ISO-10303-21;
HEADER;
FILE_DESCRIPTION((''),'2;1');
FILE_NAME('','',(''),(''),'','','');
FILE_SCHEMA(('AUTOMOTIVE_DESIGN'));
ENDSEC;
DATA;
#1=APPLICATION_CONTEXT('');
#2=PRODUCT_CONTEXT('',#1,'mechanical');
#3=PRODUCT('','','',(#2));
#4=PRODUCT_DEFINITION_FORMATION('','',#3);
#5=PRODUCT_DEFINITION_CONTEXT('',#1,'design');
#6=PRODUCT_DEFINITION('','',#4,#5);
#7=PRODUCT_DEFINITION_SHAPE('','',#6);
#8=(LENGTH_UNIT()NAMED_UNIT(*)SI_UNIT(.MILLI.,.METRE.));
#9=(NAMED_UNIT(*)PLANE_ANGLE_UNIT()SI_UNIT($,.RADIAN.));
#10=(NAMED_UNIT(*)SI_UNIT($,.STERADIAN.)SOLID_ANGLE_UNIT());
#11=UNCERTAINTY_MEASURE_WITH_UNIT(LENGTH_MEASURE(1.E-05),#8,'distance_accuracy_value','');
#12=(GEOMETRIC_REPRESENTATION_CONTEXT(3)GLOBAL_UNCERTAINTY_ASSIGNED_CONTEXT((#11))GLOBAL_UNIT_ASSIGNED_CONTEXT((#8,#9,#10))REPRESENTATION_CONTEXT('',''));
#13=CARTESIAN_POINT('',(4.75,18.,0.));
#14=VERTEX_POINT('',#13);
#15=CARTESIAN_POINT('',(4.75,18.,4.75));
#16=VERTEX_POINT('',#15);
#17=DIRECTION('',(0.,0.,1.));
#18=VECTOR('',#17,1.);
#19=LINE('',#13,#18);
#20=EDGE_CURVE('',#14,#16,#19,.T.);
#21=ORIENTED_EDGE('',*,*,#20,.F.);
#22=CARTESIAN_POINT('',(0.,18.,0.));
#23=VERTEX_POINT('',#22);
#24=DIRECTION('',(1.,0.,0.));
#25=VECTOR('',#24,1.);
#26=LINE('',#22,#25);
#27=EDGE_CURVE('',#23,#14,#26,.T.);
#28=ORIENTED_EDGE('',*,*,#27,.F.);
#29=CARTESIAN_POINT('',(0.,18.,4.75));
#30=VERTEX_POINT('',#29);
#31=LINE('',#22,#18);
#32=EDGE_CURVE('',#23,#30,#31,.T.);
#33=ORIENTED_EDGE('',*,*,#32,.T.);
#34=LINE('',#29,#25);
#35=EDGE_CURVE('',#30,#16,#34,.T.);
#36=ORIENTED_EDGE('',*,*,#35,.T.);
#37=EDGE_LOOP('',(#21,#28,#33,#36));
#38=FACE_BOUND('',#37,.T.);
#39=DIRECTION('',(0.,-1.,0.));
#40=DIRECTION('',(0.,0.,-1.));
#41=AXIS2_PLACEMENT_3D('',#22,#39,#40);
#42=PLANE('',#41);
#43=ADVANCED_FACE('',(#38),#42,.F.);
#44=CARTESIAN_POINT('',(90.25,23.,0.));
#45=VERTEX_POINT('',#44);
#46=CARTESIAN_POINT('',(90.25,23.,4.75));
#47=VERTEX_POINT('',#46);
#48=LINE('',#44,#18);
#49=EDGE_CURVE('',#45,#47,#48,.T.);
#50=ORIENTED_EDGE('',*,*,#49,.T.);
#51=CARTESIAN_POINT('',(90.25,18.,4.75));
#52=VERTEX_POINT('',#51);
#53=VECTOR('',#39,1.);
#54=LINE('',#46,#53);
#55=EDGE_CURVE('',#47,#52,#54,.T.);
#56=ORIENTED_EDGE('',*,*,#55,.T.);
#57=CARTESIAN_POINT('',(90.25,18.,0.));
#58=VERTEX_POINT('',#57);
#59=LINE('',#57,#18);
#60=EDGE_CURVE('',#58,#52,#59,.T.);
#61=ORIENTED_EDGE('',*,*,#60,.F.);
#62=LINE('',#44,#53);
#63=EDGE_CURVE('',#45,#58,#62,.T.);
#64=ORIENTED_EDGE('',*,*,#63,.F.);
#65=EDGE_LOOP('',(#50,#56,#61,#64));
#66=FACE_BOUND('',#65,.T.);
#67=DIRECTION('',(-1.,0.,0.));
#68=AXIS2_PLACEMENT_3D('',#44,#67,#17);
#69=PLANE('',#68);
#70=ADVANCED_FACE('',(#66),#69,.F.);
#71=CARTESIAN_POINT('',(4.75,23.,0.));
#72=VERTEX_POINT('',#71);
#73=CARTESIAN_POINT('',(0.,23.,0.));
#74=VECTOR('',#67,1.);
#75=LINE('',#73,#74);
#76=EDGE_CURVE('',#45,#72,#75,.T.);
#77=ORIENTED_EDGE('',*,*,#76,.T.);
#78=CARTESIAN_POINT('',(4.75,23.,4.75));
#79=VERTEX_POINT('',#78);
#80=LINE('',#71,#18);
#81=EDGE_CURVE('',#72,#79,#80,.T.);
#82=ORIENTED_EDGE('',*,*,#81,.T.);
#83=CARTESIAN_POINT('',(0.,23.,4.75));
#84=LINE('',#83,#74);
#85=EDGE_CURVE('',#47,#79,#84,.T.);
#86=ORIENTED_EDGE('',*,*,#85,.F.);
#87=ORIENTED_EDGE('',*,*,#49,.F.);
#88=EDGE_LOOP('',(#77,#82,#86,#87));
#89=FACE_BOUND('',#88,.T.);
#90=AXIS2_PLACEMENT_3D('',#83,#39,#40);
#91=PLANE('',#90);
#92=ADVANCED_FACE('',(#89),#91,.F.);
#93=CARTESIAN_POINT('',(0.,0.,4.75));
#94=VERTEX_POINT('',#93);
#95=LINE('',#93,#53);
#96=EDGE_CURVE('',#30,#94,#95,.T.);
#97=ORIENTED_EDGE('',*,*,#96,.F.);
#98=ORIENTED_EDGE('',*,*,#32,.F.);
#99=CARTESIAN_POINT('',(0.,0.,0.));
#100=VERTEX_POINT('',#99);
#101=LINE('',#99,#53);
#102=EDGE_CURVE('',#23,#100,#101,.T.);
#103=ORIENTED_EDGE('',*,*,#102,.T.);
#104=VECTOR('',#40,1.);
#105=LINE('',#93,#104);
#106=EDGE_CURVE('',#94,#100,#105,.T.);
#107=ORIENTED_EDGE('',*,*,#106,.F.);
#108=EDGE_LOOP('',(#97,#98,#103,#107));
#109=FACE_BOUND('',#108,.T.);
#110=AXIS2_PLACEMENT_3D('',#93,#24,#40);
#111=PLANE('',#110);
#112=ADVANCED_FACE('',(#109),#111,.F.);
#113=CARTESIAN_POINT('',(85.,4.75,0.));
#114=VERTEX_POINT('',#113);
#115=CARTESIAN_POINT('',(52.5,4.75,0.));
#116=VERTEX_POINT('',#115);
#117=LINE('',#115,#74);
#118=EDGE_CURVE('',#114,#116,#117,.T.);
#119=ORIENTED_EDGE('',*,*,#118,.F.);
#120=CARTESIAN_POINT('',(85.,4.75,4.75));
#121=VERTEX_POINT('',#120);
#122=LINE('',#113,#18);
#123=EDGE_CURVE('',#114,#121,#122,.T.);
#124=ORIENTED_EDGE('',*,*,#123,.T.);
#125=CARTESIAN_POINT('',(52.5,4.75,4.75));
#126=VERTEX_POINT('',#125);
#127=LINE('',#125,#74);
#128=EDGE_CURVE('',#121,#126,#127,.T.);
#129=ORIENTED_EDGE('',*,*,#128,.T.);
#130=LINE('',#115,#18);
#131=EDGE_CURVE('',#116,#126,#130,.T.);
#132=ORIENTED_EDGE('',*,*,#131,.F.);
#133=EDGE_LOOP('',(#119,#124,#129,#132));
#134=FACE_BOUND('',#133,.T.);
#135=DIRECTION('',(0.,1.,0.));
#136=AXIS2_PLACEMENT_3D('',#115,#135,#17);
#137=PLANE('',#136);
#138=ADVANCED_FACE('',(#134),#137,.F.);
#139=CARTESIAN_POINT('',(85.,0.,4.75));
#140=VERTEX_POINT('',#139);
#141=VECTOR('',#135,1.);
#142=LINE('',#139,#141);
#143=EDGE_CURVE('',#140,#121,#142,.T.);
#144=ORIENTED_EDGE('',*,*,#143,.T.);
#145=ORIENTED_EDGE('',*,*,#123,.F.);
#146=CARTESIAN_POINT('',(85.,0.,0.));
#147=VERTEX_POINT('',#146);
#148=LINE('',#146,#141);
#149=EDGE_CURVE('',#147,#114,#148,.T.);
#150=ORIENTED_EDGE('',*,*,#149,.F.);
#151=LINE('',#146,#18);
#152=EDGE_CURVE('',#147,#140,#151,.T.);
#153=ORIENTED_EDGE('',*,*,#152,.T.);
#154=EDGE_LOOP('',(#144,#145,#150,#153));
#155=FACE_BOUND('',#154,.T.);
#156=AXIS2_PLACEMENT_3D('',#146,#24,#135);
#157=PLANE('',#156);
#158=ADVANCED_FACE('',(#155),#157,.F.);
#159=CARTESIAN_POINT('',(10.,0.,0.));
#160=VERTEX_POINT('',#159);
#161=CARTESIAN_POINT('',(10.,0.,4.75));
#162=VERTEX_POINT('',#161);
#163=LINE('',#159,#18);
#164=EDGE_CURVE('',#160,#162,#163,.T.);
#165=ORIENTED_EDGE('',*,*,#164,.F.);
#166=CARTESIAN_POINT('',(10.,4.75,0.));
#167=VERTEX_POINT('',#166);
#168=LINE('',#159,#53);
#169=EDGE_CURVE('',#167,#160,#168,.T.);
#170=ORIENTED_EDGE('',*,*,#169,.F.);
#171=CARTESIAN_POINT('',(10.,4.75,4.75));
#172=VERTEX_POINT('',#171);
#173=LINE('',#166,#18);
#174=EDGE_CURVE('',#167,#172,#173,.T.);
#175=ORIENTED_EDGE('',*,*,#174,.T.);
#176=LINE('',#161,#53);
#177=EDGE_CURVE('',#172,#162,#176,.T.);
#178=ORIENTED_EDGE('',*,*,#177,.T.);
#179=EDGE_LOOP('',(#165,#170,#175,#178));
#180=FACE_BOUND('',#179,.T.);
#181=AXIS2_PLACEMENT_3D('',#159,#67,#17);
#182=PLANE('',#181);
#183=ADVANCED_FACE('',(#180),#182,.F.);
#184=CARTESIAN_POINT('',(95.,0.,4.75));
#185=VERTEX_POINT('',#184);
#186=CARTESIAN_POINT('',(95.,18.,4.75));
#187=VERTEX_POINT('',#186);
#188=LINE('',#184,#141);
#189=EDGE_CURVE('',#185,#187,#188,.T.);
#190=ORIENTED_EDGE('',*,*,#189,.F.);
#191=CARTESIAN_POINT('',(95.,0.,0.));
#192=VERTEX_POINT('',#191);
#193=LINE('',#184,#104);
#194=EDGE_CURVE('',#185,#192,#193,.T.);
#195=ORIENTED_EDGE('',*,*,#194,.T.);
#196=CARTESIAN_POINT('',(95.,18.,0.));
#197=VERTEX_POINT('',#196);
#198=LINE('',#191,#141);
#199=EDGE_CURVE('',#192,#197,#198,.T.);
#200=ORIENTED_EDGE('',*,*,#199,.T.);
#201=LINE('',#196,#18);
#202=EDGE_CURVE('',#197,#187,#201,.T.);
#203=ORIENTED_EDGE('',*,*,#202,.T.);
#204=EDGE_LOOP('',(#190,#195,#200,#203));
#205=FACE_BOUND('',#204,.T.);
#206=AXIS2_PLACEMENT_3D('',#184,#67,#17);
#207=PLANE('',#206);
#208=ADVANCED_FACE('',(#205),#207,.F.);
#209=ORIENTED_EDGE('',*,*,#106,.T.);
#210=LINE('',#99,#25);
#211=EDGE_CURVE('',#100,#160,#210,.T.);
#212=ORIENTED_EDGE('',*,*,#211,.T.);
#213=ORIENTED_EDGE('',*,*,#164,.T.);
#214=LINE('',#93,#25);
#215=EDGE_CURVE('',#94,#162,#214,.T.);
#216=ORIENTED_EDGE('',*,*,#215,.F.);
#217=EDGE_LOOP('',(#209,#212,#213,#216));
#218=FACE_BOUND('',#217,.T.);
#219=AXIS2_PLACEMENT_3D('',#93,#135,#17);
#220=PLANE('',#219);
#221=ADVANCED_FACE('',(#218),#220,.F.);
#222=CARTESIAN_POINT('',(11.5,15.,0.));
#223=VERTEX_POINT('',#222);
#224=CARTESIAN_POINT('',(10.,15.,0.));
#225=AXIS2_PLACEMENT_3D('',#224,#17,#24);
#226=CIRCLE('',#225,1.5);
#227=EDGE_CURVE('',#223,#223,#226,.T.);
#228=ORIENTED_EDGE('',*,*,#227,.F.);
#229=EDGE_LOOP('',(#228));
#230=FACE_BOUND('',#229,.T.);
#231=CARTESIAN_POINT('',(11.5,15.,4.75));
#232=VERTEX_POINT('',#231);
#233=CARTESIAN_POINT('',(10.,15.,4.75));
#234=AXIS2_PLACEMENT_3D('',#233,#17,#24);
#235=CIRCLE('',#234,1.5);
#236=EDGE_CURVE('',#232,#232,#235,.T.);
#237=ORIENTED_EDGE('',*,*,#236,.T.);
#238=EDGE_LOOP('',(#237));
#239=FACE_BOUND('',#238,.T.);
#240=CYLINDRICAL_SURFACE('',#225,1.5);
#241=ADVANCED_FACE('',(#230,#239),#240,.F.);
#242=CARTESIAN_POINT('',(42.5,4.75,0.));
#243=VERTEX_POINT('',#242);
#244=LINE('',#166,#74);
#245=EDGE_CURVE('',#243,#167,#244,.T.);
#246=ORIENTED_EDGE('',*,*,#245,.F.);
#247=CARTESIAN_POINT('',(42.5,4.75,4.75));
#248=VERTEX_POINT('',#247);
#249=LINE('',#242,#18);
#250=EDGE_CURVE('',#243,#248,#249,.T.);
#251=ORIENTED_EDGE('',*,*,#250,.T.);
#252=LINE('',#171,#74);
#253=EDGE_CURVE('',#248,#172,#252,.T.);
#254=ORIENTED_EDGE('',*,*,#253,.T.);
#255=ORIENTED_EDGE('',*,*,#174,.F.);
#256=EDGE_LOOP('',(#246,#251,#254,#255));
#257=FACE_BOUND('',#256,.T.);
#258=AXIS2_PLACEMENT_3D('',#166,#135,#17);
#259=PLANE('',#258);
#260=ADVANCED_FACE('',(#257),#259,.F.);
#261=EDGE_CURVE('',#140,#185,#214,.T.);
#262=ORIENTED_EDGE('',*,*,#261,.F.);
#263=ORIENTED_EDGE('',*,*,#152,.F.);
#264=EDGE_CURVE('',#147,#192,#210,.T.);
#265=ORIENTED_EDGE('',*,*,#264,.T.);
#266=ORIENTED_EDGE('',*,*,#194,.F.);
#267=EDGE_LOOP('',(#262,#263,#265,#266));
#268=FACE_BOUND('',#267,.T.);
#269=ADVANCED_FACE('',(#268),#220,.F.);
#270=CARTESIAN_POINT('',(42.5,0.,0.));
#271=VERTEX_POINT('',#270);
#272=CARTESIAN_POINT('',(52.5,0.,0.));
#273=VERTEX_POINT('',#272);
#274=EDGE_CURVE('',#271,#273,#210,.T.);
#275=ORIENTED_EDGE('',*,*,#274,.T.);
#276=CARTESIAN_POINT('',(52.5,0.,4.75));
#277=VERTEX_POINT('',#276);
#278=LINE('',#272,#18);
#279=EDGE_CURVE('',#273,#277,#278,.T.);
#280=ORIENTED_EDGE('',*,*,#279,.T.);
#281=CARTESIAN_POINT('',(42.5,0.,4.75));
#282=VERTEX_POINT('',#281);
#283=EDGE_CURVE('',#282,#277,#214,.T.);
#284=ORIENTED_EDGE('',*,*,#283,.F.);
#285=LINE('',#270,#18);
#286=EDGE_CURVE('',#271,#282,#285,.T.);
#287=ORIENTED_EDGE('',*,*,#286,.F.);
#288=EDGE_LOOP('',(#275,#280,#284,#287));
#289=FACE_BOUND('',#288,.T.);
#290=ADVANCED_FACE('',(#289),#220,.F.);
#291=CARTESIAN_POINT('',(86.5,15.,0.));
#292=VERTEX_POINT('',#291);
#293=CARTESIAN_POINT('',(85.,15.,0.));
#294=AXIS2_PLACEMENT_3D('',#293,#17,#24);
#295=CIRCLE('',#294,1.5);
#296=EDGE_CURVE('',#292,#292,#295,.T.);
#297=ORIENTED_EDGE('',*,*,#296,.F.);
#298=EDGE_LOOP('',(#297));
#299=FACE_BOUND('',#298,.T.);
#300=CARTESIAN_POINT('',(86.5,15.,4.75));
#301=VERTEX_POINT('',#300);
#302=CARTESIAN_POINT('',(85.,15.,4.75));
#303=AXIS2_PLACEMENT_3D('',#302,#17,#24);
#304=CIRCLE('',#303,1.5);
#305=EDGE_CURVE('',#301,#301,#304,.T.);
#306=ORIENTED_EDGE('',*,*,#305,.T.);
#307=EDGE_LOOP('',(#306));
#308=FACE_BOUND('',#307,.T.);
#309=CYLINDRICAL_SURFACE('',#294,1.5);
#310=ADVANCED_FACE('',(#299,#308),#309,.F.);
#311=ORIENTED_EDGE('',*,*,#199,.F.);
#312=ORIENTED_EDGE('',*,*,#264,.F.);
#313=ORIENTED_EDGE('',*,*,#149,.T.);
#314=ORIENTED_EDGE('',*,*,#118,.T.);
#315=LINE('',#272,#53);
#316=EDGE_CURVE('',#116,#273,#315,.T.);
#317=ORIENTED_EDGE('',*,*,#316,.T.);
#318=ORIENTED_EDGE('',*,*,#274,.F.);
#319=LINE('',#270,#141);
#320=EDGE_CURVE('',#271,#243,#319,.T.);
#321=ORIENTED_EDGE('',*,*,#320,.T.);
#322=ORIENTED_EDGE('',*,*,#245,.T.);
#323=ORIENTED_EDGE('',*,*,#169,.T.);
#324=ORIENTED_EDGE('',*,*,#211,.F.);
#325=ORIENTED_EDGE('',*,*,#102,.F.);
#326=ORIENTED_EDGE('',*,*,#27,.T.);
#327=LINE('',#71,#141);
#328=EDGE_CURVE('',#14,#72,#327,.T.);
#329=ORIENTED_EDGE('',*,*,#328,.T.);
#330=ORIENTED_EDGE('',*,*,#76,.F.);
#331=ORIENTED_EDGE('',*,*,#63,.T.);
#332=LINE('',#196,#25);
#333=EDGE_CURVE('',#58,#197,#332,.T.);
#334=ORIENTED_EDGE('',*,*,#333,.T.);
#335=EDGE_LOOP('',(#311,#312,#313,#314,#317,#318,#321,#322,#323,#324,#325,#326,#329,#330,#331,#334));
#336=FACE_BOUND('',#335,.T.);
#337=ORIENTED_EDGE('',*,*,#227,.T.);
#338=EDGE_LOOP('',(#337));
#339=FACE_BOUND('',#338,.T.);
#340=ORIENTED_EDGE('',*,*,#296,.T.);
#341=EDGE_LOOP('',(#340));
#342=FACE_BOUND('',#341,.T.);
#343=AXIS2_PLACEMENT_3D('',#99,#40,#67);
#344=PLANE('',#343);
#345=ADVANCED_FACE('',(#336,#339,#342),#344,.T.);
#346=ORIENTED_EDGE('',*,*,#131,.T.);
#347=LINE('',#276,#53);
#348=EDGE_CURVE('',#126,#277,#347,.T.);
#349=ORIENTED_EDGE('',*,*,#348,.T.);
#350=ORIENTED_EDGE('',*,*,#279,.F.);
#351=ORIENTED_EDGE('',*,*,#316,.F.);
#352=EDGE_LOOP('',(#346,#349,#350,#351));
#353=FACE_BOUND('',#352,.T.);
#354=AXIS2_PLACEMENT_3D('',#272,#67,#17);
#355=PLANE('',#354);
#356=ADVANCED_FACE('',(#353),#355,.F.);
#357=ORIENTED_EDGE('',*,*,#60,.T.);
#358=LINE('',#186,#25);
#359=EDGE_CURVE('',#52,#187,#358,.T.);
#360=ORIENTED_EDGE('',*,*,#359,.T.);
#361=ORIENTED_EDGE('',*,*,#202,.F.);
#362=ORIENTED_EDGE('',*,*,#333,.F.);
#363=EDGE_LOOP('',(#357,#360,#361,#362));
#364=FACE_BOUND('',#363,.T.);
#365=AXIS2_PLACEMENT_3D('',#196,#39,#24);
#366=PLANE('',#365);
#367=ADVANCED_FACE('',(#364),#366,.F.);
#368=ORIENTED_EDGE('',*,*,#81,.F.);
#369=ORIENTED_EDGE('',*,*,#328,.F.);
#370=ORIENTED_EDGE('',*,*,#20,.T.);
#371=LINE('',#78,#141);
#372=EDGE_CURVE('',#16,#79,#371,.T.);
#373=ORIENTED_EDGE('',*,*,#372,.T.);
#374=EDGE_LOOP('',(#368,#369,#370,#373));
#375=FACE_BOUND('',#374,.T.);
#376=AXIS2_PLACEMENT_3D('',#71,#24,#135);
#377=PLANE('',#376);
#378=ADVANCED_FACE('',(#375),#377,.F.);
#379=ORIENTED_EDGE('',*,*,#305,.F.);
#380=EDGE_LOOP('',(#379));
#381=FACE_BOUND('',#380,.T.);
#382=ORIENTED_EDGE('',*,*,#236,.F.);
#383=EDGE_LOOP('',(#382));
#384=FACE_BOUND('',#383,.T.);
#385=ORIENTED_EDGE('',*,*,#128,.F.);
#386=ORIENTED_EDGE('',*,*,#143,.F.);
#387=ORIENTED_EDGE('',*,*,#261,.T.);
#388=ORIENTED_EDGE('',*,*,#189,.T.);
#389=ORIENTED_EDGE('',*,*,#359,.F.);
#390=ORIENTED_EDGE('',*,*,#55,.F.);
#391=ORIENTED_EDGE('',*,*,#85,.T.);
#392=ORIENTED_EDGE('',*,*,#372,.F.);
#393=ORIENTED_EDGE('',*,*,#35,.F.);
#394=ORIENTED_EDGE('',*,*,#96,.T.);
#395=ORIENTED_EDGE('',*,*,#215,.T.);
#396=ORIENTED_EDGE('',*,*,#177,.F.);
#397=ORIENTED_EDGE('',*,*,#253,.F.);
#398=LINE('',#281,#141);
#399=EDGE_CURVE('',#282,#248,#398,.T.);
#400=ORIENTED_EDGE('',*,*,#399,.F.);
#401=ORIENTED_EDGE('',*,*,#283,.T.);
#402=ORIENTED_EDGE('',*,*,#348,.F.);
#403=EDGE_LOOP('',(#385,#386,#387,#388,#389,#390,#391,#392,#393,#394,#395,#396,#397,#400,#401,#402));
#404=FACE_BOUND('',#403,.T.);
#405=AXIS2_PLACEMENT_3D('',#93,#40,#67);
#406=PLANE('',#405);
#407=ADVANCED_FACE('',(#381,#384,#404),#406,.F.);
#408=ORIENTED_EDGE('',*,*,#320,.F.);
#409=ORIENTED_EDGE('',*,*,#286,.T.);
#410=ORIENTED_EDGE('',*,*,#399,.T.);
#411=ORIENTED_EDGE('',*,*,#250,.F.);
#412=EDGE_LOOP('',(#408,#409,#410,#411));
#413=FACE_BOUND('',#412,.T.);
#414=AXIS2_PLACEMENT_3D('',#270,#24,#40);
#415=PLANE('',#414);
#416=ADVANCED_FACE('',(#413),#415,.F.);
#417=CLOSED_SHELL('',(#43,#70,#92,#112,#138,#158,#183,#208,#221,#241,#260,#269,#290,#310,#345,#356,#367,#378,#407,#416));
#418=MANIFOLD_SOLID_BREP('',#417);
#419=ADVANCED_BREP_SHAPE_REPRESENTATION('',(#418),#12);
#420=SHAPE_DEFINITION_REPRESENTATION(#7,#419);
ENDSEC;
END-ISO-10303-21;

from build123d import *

# Parameters (mm, degrees)
SKETCH1_W           = 95
SKETCH1_H           = 23
BOSS_EXTRUDE1_DEPTH = 4.75
SKETCH2_W           = 32.5
SKETCH2_H           = 4.75
CUT_EXTRUDE1_DEPTH  = 5.75
SKETCH4_R           = 1.5
CUT_EXTRUDE2_DEPTH  = 5.75
SKETCH5_W           = 4.75
SKETCH5_H           = 5
CUT_EXTRUDE3_DEPTH  = 5.75


with BuildPart() as part:
    # Sketch1 → Boss-Extrude1 (new body)
    with BuildSketch(Plane.XY):
        with Locations((47.5, 11.5)):
            Rectangle(SKETCH1_W, SKETCH1_H)
    extrude(amount=BOSS_EXTRUDE1_DEPTH)

    # Sketch2 → Cut-Extrude1 (cut, through all)
    with BuildSketch(Plane.XY.offset(4.75)):
        with Locations((26.25, 2.375)):
            Rectangle(SKETCH2_W, SKETCH2_H)
        with Locations((68.75, 2.375)):
            Rectangle(SKETCH2_W, SKETCH2_H)
    extrude(amount=-CUT_EXTRUDE1_DEPTH, mode=Mode.SUBTRACT)

    # Sketch4 → Cut-Extrude2 (cut, through all)
    with BuildSketch(Plane.XY.offset(4.75)):
        with Locations((10, 15)):
            Circle(SKETCH4_R)
        with Locations((85, 15)):
            Circle(SKETCH4_R)
    extrude(amount=-CUT_EXTRUDE2_DEPTH, mode=Mode.SUBTRACT)

    # Sketch5 → Cut-Extrude3 (cut, through all)
    with BuildSketch(Plane.XY.offset(4.75)):
        with Locations((2.375, 20.5)):
            Rectangle(SKETCH5_W, SKETCH5_H)
        with Locations((92.625, 20.5)):
            Rectangle(SKETCH5_W, SKETCH5_H)
    extrude(amount=-CUT_EXTRUDE3_DEPTH, mode=Mode.SUBTRACT)


solid = part.part
